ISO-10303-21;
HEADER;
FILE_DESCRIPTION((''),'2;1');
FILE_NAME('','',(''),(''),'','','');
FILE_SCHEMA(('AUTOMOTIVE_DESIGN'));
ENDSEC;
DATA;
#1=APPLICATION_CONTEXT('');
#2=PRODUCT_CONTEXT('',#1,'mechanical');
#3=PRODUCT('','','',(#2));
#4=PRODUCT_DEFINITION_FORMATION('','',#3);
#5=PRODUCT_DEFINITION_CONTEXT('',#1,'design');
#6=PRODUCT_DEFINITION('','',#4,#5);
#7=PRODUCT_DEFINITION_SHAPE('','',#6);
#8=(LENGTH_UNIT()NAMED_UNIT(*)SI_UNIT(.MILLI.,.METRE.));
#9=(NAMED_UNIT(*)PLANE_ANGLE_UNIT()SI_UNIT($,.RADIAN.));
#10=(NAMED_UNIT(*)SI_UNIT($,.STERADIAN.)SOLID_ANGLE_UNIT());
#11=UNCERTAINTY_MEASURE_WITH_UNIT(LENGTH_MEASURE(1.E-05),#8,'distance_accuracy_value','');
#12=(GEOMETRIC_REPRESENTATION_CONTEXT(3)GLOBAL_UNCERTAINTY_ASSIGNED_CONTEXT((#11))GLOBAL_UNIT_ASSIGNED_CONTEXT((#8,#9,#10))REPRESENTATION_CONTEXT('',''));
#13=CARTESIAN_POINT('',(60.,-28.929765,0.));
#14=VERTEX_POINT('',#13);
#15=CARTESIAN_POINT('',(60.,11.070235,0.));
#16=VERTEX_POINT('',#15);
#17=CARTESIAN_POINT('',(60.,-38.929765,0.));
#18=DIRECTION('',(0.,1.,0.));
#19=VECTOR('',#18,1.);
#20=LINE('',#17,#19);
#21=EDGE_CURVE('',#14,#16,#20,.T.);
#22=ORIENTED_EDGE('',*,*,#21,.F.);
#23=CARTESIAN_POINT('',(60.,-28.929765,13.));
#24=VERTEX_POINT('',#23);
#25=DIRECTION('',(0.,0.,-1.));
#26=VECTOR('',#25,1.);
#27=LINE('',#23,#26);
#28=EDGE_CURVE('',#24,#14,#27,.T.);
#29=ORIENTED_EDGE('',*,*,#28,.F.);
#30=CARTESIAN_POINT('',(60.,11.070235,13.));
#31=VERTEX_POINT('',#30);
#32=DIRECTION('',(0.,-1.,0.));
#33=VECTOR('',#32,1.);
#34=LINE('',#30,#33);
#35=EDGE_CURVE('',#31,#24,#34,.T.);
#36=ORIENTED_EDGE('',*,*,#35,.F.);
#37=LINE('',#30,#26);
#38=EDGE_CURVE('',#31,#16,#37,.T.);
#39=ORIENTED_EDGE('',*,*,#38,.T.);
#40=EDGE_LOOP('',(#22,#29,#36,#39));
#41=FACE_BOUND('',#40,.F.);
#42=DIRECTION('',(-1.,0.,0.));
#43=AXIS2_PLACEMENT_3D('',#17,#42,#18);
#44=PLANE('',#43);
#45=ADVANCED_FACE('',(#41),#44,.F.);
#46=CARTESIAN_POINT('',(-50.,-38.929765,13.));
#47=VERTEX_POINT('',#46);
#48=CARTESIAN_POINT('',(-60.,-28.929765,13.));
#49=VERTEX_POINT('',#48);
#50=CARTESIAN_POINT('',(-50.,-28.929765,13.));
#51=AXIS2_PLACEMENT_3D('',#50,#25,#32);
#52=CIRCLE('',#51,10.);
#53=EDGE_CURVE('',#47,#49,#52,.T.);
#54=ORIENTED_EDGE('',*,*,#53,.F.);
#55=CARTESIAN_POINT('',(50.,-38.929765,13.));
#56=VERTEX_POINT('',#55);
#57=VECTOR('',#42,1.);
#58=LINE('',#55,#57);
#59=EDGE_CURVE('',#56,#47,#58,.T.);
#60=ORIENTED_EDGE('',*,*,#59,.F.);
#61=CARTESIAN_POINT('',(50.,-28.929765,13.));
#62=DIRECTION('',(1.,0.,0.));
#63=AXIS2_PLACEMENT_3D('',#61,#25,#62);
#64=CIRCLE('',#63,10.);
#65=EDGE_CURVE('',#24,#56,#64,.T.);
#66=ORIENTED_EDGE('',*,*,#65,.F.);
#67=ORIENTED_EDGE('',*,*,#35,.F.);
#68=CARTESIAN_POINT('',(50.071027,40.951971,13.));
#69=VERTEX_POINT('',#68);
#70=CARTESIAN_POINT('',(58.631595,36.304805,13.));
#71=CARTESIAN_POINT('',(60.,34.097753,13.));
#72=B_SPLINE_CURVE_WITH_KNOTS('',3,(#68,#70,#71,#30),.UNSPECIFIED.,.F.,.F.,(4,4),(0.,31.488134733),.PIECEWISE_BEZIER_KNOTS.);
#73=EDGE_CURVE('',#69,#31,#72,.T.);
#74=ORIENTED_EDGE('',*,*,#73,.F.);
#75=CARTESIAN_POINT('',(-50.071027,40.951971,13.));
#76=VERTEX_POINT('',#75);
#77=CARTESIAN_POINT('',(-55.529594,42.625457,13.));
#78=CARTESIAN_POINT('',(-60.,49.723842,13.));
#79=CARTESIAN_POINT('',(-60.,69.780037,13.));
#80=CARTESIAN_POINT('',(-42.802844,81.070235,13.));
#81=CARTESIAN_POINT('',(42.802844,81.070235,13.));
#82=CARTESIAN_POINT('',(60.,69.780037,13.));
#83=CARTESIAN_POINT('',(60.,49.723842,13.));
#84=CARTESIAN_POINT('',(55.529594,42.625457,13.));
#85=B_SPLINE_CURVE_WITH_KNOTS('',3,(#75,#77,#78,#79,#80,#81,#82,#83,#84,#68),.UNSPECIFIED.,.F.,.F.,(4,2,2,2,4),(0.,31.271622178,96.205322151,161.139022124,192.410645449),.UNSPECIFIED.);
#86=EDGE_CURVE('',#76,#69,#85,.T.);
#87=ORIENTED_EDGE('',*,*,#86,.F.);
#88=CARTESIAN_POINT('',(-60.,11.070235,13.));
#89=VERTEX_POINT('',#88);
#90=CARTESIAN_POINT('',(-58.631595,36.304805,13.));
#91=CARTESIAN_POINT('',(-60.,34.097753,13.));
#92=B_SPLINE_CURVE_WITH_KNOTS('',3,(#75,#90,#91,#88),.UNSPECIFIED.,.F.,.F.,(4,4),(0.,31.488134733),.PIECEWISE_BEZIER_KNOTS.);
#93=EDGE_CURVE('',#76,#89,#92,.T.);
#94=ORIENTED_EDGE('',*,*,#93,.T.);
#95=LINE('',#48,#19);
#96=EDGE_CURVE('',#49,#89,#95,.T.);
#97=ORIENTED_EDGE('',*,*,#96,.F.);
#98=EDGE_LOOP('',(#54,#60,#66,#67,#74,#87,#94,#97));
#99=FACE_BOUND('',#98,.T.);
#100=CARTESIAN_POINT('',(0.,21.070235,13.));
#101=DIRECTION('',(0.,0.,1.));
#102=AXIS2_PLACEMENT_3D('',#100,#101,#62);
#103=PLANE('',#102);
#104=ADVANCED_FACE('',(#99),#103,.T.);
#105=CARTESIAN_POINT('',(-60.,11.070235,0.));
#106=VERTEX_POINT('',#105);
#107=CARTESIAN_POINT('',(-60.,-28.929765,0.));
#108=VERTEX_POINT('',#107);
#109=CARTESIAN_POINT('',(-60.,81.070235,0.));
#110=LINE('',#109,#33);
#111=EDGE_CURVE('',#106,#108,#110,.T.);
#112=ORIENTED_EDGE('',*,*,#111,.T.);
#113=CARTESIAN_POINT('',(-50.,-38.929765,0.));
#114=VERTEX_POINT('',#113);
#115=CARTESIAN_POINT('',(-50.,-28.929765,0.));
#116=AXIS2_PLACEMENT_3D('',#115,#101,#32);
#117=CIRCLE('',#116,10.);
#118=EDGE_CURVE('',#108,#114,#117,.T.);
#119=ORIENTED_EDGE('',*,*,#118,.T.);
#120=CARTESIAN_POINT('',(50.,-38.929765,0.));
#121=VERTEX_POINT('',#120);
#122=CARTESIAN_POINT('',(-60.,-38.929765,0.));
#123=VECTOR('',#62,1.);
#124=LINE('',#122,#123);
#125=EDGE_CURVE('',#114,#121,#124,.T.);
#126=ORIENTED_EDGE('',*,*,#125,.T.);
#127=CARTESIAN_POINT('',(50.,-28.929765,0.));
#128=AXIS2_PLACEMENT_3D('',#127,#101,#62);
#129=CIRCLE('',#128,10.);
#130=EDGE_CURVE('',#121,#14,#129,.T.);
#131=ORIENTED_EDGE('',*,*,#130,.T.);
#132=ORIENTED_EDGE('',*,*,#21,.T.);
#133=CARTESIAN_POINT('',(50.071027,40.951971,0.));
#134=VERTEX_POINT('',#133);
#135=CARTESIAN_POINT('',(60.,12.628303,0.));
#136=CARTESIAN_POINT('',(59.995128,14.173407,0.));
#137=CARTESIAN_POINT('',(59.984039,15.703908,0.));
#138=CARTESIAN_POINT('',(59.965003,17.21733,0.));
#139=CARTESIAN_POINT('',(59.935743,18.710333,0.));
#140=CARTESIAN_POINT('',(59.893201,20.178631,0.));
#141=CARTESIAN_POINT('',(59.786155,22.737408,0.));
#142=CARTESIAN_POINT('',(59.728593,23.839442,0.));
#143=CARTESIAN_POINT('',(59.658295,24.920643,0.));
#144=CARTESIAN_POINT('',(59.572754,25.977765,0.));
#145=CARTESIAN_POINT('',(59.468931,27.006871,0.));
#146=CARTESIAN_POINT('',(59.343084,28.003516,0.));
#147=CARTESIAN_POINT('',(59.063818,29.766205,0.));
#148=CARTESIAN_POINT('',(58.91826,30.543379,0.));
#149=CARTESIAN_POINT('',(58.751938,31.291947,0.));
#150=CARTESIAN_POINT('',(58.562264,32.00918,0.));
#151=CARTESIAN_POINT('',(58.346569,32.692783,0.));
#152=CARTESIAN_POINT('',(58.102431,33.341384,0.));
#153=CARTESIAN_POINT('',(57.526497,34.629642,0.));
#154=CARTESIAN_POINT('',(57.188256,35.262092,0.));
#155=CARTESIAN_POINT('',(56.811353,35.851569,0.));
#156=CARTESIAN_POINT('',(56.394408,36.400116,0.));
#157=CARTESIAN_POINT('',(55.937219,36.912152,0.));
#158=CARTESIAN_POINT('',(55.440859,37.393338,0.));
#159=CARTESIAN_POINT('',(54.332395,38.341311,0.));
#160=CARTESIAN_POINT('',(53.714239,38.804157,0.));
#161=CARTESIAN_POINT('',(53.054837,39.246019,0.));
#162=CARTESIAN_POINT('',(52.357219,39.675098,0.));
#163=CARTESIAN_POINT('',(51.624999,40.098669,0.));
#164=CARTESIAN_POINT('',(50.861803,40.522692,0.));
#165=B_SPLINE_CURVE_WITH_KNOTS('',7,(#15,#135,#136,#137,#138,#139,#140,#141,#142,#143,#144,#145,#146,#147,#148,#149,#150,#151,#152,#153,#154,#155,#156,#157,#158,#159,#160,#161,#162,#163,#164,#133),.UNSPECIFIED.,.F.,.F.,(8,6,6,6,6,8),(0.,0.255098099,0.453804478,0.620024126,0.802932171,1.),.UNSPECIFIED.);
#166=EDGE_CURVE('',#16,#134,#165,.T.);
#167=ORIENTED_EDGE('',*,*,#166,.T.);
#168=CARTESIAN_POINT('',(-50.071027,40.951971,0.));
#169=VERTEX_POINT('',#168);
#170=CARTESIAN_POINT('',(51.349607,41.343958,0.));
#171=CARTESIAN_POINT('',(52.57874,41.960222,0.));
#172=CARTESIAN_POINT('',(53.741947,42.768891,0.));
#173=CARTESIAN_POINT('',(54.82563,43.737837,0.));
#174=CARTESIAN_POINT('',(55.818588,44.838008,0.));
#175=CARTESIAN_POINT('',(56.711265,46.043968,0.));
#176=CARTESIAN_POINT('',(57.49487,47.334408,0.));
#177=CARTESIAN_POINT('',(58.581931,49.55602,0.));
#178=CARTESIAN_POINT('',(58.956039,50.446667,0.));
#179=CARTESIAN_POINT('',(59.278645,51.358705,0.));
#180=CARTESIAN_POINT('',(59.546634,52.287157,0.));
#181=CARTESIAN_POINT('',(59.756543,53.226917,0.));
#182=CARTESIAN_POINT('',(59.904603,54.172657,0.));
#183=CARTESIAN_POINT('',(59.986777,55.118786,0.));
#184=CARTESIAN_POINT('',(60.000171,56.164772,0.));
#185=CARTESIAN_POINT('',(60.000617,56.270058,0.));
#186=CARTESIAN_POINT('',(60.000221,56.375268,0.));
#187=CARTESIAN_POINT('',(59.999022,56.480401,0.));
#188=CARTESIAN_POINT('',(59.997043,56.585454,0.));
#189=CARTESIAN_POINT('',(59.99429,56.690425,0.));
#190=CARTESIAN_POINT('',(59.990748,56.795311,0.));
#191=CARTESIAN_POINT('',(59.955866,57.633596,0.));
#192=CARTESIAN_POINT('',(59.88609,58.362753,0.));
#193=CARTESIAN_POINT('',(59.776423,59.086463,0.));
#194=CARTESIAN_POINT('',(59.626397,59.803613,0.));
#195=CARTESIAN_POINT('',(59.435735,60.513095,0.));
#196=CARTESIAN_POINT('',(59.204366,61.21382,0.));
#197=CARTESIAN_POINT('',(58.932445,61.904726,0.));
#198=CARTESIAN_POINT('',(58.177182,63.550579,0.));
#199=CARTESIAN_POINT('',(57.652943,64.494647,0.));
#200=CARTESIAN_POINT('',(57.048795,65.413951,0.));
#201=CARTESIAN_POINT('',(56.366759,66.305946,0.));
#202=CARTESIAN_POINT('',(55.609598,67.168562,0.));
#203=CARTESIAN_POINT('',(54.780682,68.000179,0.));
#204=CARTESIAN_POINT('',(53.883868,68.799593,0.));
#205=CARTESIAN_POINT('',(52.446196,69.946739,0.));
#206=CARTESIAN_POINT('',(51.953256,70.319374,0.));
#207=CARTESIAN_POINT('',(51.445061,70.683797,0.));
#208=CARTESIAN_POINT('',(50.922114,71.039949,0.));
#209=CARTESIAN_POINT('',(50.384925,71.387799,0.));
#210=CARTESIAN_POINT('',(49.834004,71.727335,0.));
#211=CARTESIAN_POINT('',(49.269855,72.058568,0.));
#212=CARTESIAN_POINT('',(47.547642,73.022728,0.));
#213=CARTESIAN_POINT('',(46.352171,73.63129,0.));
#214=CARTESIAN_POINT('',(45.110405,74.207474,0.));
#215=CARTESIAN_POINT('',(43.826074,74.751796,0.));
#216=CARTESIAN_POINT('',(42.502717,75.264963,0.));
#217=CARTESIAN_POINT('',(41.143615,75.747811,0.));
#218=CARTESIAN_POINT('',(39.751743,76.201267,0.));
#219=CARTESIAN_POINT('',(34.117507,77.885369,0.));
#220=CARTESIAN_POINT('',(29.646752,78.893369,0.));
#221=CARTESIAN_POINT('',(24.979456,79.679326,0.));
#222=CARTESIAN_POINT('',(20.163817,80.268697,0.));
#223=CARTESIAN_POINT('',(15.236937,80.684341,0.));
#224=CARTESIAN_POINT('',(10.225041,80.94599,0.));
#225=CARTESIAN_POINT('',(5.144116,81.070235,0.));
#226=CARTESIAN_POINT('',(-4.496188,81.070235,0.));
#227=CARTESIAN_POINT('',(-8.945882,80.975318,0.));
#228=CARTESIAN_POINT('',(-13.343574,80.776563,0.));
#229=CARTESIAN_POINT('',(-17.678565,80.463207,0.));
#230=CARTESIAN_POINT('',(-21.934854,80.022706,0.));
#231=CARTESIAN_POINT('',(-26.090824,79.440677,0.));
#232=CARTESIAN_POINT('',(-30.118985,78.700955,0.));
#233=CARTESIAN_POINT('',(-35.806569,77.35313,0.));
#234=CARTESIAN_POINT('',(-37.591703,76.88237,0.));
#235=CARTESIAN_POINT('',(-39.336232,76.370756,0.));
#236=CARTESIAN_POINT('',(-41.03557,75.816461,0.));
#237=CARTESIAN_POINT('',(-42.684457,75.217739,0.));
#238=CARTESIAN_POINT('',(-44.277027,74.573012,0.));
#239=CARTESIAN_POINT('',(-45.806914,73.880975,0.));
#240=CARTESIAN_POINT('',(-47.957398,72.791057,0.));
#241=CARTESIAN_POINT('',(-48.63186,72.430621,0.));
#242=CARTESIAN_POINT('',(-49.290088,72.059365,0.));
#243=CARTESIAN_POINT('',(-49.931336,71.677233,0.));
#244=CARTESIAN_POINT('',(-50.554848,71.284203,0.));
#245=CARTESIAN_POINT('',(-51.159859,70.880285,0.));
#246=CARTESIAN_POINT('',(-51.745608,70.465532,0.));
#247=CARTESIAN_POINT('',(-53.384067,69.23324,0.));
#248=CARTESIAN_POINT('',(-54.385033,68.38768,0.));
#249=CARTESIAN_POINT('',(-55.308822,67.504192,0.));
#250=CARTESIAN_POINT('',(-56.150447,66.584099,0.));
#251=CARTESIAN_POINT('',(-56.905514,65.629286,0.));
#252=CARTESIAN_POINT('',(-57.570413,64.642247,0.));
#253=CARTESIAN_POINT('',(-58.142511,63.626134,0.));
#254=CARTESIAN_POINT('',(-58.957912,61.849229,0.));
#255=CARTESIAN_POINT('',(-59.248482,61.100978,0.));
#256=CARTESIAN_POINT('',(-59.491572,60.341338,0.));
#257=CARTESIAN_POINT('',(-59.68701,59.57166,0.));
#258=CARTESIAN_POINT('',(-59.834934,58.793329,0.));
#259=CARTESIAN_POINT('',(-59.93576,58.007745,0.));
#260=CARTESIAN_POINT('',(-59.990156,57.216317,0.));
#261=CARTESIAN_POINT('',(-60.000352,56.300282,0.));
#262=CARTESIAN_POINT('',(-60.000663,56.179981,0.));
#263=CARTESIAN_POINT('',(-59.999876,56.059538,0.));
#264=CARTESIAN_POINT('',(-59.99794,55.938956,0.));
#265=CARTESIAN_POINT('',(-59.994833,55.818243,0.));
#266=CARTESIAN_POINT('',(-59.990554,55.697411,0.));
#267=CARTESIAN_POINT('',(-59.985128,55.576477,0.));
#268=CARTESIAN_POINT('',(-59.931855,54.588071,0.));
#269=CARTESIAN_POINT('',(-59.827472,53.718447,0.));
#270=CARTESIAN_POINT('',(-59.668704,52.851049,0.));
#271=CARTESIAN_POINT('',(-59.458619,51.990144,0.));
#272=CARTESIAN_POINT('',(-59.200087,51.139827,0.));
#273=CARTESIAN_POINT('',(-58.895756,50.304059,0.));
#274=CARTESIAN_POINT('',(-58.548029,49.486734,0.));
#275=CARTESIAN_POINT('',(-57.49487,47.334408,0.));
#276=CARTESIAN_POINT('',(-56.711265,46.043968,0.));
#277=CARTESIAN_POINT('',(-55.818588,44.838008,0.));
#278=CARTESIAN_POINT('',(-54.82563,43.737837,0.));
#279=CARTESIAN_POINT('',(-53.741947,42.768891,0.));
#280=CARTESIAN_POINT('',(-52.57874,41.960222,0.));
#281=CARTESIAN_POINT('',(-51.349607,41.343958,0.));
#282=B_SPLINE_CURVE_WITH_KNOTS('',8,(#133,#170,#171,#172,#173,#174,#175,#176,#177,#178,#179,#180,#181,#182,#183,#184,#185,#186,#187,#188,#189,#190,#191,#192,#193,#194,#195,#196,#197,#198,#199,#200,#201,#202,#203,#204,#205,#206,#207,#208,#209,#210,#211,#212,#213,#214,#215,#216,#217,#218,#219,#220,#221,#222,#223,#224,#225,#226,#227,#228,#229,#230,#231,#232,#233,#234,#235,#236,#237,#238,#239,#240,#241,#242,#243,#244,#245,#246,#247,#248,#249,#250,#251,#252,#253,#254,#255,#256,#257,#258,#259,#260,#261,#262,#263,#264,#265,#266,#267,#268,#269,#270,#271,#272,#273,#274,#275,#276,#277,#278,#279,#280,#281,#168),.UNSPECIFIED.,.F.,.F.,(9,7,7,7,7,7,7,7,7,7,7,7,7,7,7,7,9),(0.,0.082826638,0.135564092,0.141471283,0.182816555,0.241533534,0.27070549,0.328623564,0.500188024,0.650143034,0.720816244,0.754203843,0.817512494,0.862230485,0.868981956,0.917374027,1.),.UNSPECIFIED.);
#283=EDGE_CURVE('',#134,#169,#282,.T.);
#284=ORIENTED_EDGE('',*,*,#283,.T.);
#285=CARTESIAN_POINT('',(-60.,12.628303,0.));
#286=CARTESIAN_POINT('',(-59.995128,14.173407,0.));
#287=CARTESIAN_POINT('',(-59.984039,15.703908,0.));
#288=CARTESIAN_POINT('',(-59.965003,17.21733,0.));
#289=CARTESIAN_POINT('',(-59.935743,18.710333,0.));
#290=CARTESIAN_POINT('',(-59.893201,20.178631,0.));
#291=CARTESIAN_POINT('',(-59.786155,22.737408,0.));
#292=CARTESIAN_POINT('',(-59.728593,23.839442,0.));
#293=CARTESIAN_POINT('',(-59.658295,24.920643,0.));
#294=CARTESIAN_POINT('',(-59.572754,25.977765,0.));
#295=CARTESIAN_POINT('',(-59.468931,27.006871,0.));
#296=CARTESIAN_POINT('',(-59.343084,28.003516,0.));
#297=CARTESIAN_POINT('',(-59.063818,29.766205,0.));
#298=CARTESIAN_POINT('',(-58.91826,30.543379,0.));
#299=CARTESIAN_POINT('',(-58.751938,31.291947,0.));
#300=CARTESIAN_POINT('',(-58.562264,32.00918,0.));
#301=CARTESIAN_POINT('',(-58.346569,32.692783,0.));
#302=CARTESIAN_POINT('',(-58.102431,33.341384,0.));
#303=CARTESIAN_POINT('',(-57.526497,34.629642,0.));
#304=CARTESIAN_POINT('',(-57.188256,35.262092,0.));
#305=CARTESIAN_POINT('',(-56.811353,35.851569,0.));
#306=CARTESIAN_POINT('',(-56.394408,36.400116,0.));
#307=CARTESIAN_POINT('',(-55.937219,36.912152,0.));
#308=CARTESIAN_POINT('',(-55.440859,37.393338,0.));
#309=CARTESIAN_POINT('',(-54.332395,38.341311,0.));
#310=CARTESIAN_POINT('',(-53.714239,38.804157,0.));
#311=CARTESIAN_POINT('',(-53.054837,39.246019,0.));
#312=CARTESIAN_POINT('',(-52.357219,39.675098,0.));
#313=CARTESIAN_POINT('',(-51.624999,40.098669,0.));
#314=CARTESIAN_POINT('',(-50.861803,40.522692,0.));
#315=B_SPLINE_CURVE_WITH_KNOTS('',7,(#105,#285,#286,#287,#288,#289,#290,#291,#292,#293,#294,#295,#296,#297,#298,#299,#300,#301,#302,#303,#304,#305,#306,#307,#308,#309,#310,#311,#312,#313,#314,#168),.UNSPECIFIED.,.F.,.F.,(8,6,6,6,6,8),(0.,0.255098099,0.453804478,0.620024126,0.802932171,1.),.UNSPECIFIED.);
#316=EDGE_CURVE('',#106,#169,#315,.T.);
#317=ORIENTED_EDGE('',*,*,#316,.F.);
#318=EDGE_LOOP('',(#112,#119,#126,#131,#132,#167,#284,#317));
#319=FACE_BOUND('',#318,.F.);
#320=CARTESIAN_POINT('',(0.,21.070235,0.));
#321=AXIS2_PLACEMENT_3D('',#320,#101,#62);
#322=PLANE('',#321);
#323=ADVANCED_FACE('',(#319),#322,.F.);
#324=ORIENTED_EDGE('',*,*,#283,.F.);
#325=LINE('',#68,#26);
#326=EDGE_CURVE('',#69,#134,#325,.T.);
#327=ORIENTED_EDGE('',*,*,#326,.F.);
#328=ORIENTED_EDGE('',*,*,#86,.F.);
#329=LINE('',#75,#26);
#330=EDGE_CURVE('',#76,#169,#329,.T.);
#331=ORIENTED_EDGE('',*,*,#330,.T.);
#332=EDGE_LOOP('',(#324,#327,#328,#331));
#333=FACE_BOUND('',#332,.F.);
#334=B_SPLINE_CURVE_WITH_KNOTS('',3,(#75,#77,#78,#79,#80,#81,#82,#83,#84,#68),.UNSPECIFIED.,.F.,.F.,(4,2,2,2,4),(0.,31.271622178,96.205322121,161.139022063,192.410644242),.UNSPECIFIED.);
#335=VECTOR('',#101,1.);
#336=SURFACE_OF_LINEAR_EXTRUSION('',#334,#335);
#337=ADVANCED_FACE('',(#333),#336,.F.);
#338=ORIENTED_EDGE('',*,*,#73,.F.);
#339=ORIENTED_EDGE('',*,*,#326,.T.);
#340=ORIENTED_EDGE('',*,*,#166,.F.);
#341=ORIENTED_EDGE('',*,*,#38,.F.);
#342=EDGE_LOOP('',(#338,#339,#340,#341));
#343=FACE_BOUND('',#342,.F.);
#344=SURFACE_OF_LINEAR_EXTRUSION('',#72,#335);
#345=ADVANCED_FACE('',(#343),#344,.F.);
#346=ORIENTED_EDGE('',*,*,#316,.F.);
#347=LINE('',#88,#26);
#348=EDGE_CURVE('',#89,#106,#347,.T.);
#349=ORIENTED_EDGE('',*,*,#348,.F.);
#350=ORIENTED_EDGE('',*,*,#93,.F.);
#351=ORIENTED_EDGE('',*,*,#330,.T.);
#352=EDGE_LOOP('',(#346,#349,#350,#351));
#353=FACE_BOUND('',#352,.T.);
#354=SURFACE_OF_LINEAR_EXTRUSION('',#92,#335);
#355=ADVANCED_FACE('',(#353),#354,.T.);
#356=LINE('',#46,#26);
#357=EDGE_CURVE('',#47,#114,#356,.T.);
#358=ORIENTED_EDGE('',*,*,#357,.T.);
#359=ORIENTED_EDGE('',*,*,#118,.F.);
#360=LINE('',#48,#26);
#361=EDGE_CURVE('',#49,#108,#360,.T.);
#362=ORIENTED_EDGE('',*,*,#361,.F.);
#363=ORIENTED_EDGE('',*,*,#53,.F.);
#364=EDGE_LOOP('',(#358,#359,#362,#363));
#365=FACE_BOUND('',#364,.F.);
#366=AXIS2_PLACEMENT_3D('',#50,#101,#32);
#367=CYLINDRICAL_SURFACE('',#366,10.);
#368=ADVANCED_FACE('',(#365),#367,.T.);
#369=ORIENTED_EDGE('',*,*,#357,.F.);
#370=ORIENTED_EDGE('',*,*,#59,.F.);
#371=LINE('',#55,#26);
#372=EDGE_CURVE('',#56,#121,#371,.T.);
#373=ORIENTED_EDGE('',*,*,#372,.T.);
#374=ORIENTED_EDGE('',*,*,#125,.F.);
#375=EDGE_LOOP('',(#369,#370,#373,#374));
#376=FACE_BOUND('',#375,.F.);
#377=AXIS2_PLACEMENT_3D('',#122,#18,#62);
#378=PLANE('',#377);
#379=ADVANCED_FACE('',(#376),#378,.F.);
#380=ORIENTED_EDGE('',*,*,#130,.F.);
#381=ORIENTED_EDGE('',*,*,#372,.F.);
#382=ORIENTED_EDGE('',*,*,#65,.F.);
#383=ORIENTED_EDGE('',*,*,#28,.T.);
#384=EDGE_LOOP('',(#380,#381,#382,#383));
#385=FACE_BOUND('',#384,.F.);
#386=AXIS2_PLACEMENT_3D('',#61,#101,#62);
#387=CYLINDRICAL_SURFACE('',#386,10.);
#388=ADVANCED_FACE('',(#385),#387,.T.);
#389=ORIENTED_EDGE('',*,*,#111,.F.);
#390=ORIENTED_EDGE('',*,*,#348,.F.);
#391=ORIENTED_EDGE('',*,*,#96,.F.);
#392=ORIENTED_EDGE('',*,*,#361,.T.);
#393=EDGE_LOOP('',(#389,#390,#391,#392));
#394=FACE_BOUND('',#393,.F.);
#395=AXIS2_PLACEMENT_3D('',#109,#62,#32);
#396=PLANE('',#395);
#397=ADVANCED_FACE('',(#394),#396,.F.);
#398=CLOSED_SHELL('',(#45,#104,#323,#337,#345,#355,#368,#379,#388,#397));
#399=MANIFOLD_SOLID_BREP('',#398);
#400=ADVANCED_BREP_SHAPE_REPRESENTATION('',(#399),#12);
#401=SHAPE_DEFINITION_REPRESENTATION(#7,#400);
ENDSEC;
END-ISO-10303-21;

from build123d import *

# Parameters (mm, degrees)
F1_DEPTH = 13
F3_DEPTH = 25


with BuildPart() as f1:
    # F0 (on Top) → F1 (new body)
    with BuildSketch(Plane.XY):
        Polygon((60, 81.0702352943), (0, 81.0702352943), (-60, 81.0702352943), (-60, -38.9297647057), (0, -38.9297647057), (60, -38.9297647057), align=None)
    extrude(amount=F1_DEPTH)

    # F2 (on face) → F3 (cut)
    with BuildSketch(Plane.XY.offset(13)):
        Polygon((-101.7926856875, -77.1939546643), (0, -77.1939546643), (101.7926856875, -77.1939546643), (101.7926856875, 81.0702352943), (101.7926856875, 114.1239181161), (-101.7926856875, 114.1239181161), (-101.7926856875, 81.0702352943), align=None)
        with BuildLine():
            add(Edge.make_bspline(
                [(0, 81.0702352943), (-42.8028441966, 81.0702352943), (-60, 69.7800374747), (-60, 56.2431253493)],
                knots=[0, 0, 0, 0, 64.9336999425, 64.9336999425, 64.9336999425, 64.9336999425], degree=3))
            add(Edge.make_bspline(
                [(0, 81.0702352943), (42.8028441966, 81.0702352943), (60, 69.7800374747), (60, 56.2431253493)],
                knots=[0, 0, 0, 0, 64.9336999425, 64.9336999425, 64.9336999425, 64.9336999425], degree=3))
            add(Edge.make_bspline(
                [(60, 56.2431253493), (60, 49.7238418059), (55.5295944214, 42.6254570484), (50.0710271299, 40.9519709647)],
                knots=[0, 0, 0, 0, 18.2319473636, 18.2319473636, 18.2319473636, 18.2319473636], degree=3))
            add(Edge.make_bspline(
                [(50.0710271299, 40.9519709647), (58.6315952241, 36.3048054278), (60, 34.0977534652), (60, 11.0702352943)],
                knots=[0, 0, 0, 0, 31.4881347325, 31.4881347325, 31.4881347325, 31.4881347325], degree=3))
            Line((60, 11.0702352943), (60, -28.9297647057))
            ThreePointArc((60, -28.9297647057), (57.0710678119, -36.0008325176), (50, -38.9297647057))
            Line((50, -38.9297647057), (0, -38.9297647057))
            Line((0, -38.9297647057), (-50, -38.9297647057))
            ThreePointArc((-50, -38.9297647057), (-57.0710678119, -36.0008325176), (-60, -28.9297647057))
            Line((-60, -28.9297647057), (-60, 11.0702352943))
            add(Edge.make_bspline(
                [(-50.0710271299, 40.9519709647), (-58.6315952241, 36.3048054278), (-60, 34.0977534652), (-60, 11.0702352943)],
                knots=[0, 0, 0, 0, 31.4881347325, 31.4881347325, 31.4881347325, 31.4881347325], degree=3))
            add(Edge.make_bspline(
                [(-60, 56.2431253493), (-60, 49.7238418059), (-55.5295944214, 42.6254570484), (-50.0710271299, 40.9519709647)],
                knots=[0, 0, 0, 0, 18.2319473636, 18.2319473636, 18.2319473636, 18.2319473636], degree=3))
        make_face(mode=Mode.SUBTRACT)
    extrude(amount=-F3_DEPTH, mode=Mode.SUBTRACT)


solid = f1.part
